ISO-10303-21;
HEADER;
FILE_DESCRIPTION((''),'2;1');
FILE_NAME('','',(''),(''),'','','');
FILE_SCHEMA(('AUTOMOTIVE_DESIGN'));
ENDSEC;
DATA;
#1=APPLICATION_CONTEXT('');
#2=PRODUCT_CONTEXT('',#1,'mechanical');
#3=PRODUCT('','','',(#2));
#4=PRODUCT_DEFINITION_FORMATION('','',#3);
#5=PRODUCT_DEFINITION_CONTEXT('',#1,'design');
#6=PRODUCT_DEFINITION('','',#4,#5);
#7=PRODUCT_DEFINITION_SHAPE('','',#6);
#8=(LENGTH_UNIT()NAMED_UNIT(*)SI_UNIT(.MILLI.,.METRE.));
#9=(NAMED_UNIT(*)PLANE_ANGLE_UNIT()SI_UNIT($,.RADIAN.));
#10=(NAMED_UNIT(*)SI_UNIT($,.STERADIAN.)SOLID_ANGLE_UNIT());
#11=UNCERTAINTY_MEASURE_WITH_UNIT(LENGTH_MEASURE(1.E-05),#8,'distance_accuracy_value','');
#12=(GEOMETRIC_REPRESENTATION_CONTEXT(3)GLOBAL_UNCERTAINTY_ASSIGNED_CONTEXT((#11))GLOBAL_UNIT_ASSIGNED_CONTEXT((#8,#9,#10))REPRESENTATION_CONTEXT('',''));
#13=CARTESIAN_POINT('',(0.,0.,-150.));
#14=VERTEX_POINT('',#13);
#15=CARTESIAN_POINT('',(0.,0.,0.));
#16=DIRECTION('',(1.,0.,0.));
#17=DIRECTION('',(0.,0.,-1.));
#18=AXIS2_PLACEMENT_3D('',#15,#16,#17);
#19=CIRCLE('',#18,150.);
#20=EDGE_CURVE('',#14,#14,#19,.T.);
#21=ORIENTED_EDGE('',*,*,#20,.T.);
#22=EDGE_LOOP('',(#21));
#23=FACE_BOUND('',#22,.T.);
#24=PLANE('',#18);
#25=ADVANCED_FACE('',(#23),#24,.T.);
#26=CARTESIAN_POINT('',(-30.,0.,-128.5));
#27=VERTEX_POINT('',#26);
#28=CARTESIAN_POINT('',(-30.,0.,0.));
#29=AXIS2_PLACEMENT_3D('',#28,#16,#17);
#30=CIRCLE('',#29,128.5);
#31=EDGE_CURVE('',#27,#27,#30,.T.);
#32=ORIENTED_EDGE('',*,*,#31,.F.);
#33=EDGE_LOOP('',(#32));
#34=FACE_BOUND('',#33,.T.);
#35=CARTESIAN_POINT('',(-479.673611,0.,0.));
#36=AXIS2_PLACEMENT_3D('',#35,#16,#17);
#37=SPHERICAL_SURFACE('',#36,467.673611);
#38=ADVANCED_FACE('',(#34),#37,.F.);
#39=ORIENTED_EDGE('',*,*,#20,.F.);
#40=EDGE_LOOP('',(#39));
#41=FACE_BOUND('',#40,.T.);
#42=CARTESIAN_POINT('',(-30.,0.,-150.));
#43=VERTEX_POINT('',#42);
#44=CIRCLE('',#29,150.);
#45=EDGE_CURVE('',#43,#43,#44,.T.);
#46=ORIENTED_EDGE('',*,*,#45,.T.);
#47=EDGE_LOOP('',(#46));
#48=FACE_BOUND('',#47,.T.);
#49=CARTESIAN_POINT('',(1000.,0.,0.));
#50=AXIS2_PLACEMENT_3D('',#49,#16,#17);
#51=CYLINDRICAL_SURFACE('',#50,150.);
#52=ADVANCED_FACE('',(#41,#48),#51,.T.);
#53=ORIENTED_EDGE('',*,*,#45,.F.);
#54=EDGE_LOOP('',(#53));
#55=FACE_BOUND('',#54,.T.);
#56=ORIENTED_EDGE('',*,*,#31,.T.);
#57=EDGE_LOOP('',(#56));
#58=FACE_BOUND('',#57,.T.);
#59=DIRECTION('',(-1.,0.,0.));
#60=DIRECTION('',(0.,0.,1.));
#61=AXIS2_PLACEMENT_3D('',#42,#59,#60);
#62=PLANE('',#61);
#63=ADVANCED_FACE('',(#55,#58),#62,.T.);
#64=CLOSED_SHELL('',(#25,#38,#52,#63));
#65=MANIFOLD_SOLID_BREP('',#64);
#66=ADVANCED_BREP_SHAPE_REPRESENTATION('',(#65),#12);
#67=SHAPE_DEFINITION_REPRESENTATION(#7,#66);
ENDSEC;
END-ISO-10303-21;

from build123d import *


with BuildPart() as part:
    # 草图7 → 旋转1 (revolve)
    with BuildSketch(Plane(origin=(0, 0, 0), x_dir=(0, 0, -1), z_dir=(0, 1, 0))):
        with BuildLine():
            Line((0, 0), (150, 0))
            Line((150, 0), (150, 30))
            Line((150, 30), (128.5, 30))
            ThreePointArc((128.5, 30), (64.877288014, 16.52186057), (0, 12))
            Line((0, 12), (0, 0))
        make_face()
    revolve(axis=Axis((1000, 0, 0), (-1, 0, 0)))


solid = part.part
